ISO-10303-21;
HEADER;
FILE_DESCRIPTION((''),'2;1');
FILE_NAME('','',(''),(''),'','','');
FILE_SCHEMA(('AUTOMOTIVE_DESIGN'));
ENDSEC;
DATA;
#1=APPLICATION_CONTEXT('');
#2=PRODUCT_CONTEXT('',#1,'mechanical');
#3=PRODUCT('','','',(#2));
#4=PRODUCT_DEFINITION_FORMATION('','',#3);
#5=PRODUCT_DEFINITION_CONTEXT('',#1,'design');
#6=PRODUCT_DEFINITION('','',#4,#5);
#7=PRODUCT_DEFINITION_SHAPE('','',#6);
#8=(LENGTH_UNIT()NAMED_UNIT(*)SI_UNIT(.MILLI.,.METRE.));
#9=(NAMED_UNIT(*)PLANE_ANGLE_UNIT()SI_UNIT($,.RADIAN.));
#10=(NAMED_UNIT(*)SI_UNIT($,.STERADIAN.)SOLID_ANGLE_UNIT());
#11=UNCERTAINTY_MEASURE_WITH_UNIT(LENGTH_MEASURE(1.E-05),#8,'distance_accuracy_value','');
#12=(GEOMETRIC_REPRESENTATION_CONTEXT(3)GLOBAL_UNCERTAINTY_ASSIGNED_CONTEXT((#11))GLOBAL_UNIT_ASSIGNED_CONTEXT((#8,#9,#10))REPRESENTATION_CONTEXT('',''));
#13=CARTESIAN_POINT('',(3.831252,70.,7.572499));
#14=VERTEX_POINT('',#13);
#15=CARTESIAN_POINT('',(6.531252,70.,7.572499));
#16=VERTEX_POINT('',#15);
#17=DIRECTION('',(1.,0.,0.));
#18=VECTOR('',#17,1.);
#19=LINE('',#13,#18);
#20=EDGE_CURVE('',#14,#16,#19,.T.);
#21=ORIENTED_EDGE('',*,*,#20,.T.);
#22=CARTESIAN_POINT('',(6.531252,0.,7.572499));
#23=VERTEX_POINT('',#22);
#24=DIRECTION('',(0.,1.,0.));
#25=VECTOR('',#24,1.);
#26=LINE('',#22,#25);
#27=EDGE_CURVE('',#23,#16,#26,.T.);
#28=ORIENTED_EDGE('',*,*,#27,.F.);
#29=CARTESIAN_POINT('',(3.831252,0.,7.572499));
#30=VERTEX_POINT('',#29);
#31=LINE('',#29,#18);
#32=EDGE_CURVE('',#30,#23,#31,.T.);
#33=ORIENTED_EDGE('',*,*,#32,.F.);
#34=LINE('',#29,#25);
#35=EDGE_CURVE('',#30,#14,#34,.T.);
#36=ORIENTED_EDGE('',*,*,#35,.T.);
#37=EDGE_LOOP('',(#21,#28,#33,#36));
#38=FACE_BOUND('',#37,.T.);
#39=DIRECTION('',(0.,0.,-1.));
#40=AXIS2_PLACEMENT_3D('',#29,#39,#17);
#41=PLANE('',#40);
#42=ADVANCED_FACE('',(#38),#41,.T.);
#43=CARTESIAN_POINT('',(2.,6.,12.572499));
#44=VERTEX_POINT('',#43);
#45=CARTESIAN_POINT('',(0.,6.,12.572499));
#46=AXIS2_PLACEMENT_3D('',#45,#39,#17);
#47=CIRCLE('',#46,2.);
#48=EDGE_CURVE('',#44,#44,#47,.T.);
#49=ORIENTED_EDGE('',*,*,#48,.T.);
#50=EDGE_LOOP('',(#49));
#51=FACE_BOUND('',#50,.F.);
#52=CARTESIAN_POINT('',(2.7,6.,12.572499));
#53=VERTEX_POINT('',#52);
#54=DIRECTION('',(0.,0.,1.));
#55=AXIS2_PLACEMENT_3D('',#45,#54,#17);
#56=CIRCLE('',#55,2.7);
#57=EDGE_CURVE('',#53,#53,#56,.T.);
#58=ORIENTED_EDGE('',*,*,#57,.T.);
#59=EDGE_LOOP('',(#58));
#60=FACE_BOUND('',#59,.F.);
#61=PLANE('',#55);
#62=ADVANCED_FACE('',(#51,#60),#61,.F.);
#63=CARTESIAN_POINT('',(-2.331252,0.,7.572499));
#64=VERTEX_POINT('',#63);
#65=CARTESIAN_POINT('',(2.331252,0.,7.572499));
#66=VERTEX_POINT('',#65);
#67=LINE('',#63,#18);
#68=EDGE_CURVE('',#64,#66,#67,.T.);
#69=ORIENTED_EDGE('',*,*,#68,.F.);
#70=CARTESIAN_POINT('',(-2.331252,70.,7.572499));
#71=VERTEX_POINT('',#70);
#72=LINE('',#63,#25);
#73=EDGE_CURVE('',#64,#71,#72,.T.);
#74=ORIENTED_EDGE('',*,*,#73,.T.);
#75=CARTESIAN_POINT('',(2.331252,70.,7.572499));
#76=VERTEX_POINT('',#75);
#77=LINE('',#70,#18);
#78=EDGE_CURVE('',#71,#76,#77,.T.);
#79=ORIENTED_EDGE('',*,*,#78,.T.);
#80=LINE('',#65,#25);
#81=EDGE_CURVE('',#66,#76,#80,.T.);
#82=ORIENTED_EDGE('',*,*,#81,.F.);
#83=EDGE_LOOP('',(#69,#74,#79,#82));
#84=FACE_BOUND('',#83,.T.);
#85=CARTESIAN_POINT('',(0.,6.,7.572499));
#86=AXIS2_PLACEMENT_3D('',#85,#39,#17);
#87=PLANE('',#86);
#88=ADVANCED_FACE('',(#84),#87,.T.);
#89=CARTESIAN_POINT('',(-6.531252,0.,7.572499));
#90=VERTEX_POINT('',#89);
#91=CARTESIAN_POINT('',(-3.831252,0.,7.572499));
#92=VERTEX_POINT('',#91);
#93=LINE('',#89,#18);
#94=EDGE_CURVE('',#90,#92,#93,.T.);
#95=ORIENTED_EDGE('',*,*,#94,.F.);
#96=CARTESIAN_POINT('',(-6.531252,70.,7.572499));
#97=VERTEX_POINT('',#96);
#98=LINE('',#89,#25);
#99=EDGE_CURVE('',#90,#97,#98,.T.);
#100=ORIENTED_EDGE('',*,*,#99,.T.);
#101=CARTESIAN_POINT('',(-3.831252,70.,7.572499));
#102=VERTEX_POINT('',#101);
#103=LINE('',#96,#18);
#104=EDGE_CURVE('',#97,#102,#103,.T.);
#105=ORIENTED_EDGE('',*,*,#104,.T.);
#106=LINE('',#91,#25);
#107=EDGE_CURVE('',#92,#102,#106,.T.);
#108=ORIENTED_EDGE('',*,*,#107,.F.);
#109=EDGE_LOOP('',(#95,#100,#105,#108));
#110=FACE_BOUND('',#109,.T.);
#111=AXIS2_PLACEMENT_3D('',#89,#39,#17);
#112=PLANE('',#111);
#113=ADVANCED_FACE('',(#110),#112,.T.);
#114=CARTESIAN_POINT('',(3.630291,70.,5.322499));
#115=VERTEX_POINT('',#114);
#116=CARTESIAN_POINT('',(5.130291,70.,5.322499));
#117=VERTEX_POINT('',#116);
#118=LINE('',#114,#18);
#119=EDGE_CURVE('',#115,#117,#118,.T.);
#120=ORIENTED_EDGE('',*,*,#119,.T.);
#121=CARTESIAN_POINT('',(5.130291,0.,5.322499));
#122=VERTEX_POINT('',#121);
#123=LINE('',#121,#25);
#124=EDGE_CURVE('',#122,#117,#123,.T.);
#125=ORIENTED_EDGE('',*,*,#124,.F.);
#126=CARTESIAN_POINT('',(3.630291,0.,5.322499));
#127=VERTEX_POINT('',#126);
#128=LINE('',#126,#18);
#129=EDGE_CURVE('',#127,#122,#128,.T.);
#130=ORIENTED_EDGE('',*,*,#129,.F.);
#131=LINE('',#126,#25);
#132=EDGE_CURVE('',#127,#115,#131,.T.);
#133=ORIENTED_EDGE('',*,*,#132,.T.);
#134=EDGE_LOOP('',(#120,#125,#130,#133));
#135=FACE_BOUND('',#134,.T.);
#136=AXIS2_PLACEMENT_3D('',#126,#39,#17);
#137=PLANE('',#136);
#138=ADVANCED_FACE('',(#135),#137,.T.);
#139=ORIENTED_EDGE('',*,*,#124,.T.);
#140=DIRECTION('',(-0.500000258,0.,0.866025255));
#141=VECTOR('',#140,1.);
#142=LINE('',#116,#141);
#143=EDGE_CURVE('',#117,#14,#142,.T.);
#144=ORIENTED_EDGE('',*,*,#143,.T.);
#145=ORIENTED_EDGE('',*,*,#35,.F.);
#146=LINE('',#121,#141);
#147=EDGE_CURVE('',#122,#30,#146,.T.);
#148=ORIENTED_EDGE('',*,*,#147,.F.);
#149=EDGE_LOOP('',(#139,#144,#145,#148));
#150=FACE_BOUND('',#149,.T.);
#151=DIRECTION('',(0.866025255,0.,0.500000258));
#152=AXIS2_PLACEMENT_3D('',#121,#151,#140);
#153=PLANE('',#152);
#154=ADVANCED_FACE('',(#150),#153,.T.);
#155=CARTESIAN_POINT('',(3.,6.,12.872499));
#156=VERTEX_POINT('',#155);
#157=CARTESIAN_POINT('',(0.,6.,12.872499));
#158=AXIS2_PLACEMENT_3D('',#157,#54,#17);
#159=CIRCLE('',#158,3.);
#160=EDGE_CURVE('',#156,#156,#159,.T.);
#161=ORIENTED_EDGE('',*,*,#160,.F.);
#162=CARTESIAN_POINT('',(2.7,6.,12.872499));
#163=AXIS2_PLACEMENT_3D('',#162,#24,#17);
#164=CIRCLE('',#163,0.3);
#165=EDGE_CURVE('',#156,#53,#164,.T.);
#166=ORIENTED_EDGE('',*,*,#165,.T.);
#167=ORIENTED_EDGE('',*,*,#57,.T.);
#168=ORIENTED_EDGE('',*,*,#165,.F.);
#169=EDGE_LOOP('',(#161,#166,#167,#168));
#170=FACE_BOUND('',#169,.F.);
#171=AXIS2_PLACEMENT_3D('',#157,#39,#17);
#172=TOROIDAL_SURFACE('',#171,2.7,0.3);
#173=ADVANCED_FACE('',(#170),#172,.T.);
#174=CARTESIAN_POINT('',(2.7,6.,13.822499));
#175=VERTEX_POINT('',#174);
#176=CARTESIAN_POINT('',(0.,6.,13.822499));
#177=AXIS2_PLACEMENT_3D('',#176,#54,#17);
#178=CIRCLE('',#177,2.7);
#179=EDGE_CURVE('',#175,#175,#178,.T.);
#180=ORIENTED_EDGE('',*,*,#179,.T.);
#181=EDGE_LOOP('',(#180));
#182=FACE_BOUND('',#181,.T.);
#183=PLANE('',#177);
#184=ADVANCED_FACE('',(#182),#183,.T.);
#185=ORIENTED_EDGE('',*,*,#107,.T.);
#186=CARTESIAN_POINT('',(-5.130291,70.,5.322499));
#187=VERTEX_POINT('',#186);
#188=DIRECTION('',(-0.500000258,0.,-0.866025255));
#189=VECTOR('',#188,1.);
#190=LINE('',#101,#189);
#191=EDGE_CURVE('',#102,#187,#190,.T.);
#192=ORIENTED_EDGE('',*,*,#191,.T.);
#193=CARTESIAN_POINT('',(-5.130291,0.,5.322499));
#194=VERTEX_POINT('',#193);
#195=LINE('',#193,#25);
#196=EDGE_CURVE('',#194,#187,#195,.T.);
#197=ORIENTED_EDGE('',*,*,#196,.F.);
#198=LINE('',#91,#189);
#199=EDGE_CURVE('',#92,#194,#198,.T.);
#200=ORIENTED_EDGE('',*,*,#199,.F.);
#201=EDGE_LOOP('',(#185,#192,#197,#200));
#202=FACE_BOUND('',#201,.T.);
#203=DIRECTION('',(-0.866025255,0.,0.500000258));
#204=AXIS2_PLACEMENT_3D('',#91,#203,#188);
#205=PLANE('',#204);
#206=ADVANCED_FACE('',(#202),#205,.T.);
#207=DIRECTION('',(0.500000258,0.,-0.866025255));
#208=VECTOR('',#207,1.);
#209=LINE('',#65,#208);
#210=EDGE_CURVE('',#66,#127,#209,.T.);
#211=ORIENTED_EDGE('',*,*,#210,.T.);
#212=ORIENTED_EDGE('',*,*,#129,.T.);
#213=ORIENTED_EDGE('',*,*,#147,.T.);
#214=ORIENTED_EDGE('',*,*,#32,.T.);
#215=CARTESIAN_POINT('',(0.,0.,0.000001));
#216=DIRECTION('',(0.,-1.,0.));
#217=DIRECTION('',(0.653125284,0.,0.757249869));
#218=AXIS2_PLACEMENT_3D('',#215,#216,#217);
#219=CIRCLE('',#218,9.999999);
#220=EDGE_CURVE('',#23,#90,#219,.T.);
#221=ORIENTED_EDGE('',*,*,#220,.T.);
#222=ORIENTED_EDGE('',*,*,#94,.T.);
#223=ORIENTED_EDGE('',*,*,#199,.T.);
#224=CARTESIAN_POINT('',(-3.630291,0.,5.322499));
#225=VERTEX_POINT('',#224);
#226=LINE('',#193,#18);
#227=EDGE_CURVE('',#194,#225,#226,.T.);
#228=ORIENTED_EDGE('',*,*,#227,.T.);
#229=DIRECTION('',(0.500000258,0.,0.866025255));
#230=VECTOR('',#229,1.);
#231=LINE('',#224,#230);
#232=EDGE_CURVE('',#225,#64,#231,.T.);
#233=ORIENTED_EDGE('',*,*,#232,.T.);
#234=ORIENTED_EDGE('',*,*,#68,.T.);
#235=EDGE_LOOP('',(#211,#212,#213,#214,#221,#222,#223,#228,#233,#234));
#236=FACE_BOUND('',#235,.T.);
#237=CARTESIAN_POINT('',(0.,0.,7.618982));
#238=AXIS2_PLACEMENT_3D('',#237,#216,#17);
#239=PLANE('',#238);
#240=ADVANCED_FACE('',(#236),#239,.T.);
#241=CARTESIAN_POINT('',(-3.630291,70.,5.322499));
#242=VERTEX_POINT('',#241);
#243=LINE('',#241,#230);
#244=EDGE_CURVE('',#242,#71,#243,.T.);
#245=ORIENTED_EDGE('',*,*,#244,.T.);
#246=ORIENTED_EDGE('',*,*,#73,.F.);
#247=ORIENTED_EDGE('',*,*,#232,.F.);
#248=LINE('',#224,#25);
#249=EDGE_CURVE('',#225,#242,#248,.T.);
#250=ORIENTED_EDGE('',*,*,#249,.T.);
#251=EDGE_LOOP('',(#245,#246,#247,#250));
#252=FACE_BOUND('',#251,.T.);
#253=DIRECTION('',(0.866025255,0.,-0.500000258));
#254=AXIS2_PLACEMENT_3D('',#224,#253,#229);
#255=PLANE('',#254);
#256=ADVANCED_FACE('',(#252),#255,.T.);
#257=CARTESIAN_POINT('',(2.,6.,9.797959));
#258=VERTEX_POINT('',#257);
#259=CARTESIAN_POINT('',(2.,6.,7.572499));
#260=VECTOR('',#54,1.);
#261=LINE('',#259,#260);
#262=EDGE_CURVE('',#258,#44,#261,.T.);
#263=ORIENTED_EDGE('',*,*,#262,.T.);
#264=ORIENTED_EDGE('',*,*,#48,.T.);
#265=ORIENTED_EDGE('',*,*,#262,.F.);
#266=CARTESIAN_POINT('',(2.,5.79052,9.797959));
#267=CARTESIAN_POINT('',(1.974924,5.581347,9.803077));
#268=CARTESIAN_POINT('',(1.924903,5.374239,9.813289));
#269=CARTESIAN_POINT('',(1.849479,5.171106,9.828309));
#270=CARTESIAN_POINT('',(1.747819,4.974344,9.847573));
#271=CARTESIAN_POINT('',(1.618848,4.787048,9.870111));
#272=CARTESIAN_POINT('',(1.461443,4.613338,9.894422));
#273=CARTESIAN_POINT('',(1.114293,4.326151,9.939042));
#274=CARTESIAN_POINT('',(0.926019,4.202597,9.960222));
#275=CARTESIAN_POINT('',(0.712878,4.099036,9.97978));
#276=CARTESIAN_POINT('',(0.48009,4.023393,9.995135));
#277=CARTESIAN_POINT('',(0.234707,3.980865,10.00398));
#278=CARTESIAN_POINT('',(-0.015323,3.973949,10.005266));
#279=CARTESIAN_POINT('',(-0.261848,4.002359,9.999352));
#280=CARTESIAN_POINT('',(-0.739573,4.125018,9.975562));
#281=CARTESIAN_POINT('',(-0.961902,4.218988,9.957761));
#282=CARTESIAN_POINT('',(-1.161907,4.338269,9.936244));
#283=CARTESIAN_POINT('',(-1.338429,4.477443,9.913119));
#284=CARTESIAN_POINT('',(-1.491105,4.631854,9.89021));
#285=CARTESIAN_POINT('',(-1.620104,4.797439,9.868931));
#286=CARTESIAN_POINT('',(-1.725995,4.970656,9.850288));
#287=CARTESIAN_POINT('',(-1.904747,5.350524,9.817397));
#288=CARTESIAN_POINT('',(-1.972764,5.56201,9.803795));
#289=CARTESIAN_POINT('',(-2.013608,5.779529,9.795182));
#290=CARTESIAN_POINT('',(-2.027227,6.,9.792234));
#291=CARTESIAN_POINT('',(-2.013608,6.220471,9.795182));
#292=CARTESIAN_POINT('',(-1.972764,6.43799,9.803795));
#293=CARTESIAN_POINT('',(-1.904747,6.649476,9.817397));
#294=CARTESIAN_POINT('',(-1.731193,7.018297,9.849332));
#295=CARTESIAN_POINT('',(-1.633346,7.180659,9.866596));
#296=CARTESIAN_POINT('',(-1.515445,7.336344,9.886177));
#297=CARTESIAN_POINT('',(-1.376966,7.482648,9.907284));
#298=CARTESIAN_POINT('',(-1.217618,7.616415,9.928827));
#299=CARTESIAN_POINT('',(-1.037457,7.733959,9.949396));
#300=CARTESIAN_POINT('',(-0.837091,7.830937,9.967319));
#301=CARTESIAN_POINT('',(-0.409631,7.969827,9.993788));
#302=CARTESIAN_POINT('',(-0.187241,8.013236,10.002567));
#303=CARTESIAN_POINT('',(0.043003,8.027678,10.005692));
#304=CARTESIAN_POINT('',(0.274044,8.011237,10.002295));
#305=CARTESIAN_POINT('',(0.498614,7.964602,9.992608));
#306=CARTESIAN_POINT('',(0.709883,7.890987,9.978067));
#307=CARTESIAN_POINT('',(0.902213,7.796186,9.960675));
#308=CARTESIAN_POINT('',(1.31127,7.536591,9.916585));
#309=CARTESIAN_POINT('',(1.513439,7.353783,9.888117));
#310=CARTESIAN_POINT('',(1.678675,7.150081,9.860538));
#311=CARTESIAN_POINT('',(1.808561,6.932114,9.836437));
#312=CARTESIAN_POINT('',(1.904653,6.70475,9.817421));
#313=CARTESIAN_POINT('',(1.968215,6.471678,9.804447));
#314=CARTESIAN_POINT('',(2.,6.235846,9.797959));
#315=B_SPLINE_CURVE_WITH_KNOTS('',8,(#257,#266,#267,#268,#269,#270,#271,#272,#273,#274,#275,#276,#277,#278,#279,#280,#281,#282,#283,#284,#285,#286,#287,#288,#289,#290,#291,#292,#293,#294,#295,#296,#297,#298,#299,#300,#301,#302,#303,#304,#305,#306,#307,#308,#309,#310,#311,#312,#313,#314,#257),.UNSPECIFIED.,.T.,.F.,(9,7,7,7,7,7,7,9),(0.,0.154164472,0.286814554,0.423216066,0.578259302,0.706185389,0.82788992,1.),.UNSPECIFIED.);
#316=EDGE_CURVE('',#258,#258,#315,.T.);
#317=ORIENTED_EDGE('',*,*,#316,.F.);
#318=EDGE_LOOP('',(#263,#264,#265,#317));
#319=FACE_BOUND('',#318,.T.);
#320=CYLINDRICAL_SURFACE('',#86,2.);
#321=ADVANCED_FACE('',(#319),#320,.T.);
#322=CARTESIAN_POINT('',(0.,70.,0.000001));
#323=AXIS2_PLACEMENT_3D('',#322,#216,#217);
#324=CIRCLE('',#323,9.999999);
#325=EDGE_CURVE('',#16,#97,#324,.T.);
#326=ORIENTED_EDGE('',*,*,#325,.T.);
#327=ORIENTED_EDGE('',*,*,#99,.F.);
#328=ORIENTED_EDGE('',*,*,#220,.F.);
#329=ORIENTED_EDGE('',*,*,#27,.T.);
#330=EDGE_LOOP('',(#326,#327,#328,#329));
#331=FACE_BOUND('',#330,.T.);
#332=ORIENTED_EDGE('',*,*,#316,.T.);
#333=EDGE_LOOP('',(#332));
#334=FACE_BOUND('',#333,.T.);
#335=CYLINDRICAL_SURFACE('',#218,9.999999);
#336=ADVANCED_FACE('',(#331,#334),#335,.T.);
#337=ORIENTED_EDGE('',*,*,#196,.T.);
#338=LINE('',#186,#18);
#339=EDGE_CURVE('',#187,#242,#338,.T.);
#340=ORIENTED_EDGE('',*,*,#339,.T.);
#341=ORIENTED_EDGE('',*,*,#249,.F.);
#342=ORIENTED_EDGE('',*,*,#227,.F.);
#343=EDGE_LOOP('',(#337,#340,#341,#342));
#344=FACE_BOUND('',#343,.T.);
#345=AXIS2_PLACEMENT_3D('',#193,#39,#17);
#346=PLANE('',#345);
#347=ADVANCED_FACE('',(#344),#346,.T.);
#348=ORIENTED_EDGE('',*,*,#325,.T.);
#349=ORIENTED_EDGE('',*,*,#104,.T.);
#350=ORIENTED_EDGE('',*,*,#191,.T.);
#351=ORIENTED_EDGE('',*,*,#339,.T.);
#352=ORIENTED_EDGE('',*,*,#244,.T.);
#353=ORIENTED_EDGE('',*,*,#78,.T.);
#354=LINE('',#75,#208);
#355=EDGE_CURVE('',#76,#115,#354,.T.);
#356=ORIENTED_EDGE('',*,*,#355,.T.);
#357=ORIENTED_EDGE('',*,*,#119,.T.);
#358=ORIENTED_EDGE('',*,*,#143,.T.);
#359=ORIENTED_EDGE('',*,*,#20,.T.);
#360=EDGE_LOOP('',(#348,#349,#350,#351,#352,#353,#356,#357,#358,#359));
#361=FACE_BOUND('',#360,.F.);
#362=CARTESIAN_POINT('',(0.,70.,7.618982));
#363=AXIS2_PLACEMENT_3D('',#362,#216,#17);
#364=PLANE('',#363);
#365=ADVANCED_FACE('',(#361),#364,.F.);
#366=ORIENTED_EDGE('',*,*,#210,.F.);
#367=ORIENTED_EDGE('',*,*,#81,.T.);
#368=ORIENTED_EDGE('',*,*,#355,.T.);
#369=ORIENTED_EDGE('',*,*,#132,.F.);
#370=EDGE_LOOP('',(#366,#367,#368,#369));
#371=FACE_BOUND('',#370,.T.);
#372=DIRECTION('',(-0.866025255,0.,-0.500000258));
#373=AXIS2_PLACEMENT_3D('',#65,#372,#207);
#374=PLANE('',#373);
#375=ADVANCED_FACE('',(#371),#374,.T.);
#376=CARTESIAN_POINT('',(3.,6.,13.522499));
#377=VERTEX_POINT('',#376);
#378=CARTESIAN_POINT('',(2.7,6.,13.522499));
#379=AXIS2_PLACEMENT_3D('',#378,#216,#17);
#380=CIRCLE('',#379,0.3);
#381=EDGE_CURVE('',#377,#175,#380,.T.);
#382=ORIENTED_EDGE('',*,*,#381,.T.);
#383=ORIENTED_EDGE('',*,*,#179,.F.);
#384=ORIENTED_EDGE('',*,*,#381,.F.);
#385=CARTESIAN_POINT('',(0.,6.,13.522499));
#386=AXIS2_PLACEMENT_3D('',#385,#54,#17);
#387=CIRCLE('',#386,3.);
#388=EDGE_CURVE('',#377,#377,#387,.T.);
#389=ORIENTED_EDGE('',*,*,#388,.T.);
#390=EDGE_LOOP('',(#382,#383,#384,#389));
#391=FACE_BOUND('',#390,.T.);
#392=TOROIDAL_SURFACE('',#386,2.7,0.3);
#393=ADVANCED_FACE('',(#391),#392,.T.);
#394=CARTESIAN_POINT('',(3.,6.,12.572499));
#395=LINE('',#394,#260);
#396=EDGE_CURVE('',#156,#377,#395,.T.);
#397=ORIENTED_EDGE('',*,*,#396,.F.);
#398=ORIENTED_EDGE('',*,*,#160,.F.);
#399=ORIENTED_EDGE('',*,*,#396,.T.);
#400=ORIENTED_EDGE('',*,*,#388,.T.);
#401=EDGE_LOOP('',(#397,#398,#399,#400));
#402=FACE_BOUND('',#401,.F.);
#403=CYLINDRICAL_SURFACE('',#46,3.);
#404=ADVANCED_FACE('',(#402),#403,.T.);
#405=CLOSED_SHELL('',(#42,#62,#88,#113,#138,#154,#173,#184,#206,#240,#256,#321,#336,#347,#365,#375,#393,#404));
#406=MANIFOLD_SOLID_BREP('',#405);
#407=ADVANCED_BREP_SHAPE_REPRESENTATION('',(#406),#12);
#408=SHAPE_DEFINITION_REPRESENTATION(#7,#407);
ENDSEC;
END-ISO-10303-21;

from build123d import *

# Parameters (mm, degrees)
F1_DEPTH = 70
F2_R     = 2
F3_DEPTH = 5
F4_R     = 3
F5_DEPTH = 1.25
F6_R     = 0.3


with BuildPart() as f1:
    # F0 (on Front) → F1 (new body)
    with BuildSketch(Plane.XZ):
        with BuildLine():
            Line((3.831252, 7.572499), (6.531252, 7.572499))
            ThreePointArc((6.531252, 7.572499), (0, 10), (-6.531252, 7.572499))
            Line((-6.531252, 7.572499), (-3.831252, 7.572499))
            Line((-3.831252, 7.572499), (-5.130291, 5.322499))
            Line((-5.130291, 5.322499), (-3.630291, 5.322499))
            Line((-3.630291, 5.322499), (-2.331252, 7.572499))
            Line((-2.331252, 7.572499), (0, 7.572499))
            Line((0, 7.572499), (2.331252, 7.572499))
            Line((2.331252, 7.572499), (3.630291, 5.322499))
            Line((3.630291, 5.322499), (5.130291, 5.322499))
            Line((5.130291, 5.322499), (3.831252, 7.572499))
        make_face()
    extrude(amount=-F1_DEPTH)

    # F2 (on face) → F3 (join)
    with BuildSketch(Plane(origin=(0, 0, 7.572499), x_dir=(1, 0, 0), z_dir=(0, 0, -1))):
        with Locations((0, -6)):
            Circle(F2_R)
    extrude(amount=-F3_DEPTH)

    # F4 (on face) → F5 (join)
    with BuildSketch(Plane.XY.offset(12.572499)):
        with Locations((0, 6)):
            Circle(F4_R)
    extrude(amount=F5_DEPTH)

    # F6
    f6_edges = [f1.edges().sort_by_distance(p)[0] for p in [
        (-3, 6, 13.822499),
        (-3, 6, 12.572499),
    ]]
    fillet(f6_edges, radius=F6_R)


solid = f1.part
